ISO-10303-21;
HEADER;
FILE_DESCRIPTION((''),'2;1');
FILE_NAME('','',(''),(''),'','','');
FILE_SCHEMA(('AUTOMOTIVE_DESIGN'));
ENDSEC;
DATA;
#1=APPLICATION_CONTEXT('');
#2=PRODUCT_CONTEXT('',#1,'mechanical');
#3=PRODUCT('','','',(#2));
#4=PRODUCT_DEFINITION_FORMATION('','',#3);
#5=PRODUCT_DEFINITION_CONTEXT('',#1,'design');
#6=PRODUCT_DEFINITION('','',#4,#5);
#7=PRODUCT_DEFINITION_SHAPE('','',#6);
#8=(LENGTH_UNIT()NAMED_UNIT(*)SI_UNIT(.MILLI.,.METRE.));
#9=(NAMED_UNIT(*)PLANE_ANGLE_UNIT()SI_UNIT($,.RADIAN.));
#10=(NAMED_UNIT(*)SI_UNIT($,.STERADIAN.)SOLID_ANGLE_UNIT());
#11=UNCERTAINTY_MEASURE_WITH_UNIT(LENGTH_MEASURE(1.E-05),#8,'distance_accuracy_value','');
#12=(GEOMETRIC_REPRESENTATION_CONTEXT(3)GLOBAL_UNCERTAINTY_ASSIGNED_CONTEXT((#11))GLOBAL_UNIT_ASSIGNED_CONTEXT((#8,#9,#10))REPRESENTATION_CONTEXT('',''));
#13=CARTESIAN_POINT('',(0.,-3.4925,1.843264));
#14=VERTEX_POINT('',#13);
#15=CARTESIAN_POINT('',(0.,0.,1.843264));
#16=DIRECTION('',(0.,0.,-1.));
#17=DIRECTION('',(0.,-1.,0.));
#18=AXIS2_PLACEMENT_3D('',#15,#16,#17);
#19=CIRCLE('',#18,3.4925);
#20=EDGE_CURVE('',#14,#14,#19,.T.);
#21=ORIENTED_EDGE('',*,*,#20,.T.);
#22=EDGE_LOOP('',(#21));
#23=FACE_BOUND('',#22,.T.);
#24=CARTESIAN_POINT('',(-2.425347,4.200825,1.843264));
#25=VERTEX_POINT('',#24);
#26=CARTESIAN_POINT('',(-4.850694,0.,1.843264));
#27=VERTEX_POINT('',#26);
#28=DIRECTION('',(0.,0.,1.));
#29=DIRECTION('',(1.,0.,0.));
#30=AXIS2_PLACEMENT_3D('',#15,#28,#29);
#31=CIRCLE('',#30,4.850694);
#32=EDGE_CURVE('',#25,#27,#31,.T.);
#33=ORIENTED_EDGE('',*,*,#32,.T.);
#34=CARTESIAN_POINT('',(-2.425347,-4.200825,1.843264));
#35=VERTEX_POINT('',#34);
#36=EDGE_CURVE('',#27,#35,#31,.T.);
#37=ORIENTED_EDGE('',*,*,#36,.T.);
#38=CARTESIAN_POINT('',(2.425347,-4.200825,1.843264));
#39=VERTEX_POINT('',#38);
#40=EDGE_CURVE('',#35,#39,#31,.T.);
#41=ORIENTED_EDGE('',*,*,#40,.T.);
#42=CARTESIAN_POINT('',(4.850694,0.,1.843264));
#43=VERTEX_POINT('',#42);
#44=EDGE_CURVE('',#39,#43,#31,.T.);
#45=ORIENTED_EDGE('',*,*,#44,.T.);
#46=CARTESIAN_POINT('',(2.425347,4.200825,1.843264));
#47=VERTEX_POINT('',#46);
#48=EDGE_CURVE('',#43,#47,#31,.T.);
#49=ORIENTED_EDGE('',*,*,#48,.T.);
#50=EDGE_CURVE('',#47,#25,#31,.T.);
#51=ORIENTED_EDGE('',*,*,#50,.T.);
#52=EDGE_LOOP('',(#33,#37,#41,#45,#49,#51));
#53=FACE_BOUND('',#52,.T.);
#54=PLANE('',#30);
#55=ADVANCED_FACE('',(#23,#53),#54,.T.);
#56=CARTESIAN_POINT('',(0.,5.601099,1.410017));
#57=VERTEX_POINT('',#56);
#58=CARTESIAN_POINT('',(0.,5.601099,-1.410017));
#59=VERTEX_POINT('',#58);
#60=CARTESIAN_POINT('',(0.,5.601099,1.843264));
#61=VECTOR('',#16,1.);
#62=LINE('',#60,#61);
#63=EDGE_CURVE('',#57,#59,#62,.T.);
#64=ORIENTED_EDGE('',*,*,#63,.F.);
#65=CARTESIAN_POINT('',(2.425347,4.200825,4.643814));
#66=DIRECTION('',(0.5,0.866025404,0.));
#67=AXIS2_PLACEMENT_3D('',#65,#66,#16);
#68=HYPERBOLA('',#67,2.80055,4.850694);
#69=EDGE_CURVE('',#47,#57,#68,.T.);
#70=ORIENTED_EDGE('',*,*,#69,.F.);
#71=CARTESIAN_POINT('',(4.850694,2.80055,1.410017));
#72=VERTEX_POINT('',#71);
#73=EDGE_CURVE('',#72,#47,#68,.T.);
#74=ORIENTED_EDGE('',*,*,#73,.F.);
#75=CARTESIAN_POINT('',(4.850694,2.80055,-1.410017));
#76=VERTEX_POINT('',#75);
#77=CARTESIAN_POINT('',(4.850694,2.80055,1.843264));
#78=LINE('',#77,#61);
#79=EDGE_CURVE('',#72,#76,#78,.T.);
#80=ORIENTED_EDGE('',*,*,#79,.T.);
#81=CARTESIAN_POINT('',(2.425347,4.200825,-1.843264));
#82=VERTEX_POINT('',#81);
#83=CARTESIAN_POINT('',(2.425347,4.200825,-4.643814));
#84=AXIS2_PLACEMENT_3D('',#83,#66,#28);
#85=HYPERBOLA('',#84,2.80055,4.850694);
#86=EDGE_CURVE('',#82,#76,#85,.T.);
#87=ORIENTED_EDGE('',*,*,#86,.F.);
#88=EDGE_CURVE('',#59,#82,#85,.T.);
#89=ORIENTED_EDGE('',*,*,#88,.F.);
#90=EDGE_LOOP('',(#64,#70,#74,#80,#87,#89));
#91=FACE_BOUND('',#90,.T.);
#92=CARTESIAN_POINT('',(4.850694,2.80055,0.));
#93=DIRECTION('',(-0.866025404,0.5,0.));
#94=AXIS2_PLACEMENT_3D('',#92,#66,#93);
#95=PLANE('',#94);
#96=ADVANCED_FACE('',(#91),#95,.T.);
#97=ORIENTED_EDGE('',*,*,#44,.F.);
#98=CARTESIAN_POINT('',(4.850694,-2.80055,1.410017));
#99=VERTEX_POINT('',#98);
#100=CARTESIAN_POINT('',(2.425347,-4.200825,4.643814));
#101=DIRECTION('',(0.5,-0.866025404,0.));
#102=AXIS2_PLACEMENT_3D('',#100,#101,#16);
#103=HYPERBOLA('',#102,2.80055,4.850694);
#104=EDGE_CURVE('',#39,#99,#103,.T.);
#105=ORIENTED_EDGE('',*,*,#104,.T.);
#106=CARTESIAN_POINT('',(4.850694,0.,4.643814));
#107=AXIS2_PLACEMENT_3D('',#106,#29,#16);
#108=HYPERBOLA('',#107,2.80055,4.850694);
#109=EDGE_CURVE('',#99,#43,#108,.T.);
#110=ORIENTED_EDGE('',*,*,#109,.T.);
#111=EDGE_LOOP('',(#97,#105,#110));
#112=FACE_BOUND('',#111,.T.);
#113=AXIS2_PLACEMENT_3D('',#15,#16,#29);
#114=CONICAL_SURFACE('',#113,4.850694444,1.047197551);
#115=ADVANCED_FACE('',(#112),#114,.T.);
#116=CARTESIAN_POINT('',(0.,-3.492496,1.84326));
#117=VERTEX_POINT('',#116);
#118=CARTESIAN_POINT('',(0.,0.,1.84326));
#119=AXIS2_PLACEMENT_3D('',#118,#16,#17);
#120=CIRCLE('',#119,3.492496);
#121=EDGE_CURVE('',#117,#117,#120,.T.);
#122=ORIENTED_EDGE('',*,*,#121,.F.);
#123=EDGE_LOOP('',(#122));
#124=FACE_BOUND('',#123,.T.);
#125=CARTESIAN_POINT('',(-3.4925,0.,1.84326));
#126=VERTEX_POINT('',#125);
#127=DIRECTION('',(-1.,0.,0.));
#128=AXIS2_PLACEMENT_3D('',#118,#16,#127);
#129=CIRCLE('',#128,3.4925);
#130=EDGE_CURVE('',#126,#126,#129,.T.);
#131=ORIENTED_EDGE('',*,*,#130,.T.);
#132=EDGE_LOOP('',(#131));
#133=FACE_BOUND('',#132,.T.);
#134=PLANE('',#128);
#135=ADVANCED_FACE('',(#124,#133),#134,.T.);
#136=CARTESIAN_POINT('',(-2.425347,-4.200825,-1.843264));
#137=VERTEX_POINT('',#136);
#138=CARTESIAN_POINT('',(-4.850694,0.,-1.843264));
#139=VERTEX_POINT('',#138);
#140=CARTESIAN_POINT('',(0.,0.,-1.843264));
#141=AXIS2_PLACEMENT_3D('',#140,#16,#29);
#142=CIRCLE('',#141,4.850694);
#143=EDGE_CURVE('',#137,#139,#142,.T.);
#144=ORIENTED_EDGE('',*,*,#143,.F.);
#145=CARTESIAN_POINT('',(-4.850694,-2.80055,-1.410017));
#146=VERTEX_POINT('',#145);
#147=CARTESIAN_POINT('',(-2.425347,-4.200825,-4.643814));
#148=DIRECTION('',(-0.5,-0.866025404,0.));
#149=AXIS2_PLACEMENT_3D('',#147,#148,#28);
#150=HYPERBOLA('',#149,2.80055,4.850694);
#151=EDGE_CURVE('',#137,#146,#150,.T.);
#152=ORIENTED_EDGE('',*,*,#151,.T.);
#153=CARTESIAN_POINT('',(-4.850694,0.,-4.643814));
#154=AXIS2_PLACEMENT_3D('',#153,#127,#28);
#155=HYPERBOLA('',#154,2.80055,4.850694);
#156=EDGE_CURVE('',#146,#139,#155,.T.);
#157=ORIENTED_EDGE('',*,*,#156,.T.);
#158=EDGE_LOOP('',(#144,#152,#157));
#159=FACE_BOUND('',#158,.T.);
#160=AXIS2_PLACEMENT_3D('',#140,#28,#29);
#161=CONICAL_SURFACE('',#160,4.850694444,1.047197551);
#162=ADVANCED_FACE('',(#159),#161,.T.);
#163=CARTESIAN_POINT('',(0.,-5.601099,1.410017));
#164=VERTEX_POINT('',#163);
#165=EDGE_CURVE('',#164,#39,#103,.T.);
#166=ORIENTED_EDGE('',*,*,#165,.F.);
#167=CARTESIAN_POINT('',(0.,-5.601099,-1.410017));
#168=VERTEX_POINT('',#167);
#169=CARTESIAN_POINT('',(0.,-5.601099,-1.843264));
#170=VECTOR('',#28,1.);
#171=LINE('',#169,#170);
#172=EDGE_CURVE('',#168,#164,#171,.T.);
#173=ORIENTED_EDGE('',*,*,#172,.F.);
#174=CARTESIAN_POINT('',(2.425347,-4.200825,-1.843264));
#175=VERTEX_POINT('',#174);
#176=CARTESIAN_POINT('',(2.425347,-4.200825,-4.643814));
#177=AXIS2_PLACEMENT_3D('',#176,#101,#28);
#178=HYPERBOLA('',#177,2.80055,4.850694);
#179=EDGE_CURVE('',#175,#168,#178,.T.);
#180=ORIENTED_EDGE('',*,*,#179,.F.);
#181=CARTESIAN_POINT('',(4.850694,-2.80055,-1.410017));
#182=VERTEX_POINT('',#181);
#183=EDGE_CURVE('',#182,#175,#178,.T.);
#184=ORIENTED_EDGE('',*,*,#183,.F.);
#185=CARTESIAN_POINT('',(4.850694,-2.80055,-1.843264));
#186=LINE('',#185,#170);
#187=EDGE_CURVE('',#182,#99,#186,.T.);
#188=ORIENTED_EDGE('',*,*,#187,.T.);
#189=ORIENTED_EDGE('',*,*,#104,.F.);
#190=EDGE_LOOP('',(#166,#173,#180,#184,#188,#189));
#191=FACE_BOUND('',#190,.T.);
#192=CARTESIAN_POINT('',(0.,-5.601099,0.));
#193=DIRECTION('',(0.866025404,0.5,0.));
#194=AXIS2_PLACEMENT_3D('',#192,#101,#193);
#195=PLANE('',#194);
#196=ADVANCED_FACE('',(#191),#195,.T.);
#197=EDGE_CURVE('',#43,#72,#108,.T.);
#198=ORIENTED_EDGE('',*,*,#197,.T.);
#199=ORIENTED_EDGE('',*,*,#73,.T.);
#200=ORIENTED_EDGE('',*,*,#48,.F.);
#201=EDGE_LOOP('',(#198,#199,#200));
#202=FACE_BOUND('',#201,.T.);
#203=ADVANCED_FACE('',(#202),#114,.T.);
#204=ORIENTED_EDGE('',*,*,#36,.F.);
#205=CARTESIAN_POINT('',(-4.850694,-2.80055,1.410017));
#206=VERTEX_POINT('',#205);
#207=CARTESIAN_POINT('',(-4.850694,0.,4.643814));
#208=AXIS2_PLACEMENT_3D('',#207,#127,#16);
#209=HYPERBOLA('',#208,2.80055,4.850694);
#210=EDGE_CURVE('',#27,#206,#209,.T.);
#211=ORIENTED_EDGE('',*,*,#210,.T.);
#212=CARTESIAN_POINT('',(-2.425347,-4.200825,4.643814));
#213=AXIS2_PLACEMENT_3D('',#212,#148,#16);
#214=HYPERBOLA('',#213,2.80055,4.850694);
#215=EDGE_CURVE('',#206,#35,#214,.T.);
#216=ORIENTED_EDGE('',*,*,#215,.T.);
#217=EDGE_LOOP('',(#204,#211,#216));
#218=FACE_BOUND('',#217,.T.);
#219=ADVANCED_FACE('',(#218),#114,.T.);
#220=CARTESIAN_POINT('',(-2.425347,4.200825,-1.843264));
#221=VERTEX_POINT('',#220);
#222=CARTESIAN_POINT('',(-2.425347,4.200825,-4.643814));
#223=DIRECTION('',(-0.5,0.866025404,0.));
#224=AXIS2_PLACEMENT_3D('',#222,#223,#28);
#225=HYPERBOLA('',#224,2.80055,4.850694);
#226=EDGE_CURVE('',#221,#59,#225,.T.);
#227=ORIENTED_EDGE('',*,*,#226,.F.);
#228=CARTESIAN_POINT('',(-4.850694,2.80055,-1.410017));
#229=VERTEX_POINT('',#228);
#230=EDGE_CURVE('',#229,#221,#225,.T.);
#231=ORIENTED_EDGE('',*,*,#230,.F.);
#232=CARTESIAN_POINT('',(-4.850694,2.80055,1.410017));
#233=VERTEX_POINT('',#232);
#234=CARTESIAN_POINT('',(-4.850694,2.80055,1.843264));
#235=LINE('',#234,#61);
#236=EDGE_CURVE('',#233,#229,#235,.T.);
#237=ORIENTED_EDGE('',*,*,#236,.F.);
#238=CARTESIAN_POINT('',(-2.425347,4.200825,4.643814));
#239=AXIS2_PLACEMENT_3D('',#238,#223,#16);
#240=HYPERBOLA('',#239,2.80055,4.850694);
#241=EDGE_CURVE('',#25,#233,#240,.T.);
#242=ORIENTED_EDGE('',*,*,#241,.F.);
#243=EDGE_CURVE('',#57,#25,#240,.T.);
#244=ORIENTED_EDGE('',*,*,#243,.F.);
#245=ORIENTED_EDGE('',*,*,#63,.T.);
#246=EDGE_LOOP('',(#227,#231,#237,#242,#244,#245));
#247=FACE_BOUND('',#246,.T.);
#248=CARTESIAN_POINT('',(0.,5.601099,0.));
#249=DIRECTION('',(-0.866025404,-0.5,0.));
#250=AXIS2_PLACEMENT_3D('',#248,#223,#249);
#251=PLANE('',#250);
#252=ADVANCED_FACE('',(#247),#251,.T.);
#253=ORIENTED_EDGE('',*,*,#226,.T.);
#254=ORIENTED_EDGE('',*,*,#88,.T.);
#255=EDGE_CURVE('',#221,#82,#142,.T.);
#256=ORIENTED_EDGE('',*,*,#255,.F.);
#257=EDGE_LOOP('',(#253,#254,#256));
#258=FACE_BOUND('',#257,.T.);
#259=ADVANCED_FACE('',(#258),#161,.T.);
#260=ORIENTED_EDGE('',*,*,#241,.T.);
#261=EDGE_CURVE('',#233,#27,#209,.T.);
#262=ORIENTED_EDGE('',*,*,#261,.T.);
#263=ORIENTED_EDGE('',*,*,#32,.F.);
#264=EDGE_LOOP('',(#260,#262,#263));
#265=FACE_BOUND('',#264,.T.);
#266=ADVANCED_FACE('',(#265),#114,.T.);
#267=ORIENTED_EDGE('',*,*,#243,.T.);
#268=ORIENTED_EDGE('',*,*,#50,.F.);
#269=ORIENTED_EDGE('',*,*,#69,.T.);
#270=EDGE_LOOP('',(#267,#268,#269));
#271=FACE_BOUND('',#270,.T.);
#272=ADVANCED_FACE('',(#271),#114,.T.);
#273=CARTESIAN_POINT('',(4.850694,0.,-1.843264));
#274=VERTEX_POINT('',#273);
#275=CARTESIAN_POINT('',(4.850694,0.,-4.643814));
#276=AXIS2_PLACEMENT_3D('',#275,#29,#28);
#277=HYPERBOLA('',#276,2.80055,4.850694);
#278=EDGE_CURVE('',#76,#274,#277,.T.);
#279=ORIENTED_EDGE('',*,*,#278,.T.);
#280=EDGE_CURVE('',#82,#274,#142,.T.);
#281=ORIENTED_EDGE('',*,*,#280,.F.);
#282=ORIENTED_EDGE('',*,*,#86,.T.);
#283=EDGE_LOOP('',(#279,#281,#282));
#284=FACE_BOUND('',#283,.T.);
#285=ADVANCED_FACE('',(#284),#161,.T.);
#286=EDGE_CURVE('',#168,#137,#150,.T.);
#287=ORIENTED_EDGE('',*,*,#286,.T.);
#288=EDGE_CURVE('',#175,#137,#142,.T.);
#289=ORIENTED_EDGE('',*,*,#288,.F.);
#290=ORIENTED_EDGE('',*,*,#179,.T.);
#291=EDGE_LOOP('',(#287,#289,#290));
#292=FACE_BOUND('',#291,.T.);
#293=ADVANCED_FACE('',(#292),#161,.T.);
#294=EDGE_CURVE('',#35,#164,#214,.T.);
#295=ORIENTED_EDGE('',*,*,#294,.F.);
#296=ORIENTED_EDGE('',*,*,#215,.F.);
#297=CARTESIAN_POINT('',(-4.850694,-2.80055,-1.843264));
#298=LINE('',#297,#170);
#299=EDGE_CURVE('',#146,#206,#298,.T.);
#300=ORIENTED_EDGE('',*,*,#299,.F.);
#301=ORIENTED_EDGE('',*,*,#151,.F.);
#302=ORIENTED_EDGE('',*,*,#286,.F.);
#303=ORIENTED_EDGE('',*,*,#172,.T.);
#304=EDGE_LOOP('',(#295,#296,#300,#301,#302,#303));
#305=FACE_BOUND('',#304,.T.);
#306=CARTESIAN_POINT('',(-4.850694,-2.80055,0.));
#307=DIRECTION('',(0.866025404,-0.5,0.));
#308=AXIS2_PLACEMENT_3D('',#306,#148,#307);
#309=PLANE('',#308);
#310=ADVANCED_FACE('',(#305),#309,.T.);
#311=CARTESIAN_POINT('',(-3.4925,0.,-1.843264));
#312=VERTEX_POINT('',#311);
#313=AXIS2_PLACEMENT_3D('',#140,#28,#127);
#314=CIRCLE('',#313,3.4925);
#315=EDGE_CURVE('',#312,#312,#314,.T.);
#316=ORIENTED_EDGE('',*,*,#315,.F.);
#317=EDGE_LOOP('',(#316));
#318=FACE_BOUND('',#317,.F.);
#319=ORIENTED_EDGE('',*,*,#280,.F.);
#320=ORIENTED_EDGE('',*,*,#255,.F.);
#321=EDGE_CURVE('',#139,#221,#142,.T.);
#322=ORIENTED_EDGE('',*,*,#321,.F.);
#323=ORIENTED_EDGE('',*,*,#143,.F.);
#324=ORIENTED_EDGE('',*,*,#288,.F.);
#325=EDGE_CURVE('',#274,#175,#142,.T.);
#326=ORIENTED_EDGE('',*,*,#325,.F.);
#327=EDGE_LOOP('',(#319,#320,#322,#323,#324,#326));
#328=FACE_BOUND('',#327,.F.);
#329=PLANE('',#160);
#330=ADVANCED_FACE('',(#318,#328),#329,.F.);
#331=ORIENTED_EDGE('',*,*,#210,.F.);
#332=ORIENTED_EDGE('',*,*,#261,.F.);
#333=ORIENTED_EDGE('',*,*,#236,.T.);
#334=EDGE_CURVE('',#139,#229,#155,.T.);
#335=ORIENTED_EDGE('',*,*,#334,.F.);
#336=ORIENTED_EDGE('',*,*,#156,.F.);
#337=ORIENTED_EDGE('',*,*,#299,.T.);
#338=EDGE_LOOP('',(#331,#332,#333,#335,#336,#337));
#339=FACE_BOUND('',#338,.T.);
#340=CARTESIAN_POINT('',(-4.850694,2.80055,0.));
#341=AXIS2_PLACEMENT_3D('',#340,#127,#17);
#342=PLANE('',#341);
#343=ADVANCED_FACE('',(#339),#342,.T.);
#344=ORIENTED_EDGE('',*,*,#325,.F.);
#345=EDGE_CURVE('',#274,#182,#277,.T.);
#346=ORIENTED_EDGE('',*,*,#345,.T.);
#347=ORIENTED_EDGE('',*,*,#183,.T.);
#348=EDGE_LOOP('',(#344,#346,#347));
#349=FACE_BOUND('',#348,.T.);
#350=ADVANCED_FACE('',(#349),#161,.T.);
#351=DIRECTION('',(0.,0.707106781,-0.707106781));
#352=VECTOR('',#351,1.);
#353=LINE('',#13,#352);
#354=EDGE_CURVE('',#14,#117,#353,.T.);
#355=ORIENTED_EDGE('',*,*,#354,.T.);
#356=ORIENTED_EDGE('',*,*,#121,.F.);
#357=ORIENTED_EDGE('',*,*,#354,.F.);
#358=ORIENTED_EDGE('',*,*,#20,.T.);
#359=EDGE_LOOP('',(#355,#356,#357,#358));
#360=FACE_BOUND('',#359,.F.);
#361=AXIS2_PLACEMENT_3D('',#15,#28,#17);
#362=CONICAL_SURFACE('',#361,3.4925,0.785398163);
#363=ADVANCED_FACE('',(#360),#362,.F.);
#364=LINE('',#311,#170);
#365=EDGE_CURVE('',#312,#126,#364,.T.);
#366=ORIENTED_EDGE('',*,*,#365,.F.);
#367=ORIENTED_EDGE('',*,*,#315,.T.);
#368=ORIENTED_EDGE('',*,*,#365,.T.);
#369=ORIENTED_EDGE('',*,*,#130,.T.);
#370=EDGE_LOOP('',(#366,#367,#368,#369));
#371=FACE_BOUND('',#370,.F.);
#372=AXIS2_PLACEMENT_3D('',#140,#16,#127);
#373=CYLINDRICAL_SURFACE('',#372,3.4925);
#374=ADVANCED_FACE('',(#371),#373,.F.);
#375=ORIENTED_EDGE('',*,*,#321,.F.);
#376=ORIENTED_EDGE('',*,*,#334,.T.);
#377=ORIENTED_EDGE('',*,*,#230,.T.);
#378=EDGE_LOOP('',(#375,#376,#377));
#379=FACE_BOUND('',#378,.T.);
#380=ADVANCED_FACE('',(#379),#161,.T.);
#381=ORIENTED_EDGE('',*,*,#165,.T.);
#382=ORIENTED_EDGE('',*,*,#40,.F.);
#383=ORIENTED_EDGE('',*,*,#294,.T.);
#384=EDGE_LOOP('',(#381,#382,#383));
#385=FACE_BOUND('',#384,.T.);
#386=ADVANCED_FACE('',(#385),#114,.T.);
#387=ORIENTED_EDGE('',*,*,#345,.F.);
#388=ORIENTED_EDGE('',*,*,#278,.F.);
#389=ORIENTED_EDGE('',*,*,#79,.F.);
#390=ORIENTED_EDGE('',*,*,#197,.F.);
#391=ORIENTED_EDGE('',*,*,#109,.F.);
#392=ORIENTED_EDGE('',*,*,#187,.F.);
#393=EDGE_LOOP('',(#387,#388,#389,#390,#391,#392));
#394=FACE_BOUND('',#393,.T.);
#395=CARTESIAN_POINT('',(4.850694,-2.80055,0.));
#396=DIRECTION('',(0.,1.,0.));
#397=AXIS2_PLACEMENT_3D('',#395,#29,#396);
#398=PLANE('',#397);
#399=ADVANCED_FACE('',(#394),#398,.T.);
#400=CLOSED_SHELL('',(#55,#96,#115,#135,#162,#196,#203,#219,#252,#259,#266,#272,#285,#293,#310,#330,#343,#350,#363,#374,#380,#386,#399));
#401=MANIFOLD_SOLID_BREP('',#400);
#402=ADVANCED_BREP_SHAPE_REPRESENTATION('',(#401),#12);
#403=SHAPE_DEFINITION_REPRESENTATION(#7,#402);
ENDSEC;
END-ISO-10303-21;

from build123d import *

# Parameters (mm, degrees)
EXTRUDE1_DEPTH          = 1.843263891
SKETCH13_R              = 3.4925
BOSS_EXTRUDE1_DEPTH     = 3.686524
SKETCH7_OUTSIDE_W       = 102.744
SKETCH7_OUTSIDE_H       = 104.244
SKETCH7_OUTSIDE_R       = 4.850694444
EXTRUDE2_DEPTH          = 25.4
EXTRUDE2_DRAFT          = -60
MIRROR2_COPY_1_SKETCH_W = 102.744
MIRROR2_COPY_1_SKETCH_H = 104.244
MIRROR2_COPY_1_SKETCH_R = 4.850694444
MIRROR2_COPY_1_DEPTH    = 25.4
MIRROR2_COPY_1_DRAFT    = -60


with BuildPart() as part:
    # Sketch1 → Extrude1 (new, symmetric)
    with BuildSketch(Plane.XY):
        Polygon((-4.850694444, 2.800549743), (-4.850694444, -2.800549743), (0, -5.601099487), (4.850694444, -2.800549743), (4.850694444, 2.800549743), (0, 5.601099487), align=None)
    extrude(amount=EXTRUDE1_DEPTH, both=True)

    # Cut-Extrude2 cone 1 section (through the dimple's axis) → Cut-Extrude2 (revolve, cut)
    with BuildSketch(Plane(origin=(0, 0, 1.843263891), x_dir=(0, -1, 0), z_dir=(1, 0, 0))):
        Polygon((0, 0), (3.4925, 0), (0, 3.4925), align=None)
    revolve(axis=Axis((0, 0, 1.843263891), (0, 0, -1)), mode=Mode.SUBTRACT)

    # Cut-Extrude3 cone 1 section (through the dimple's axis) → Cut-Extrude3 (revolve, cut)
    with BuildSketch(Plane(origin=(0, 0, -1.843263891), x_dir=(0, 1, 0), z_dir=(1, 0, 0))):
        Polygon((0, 0), (3.4925, 0), (0, 3.4925), align=None)
    revolve(axis=Axis((0, 0, -1.843263891), (0, 0, 1)), mode=Mode.SUBTRACT)


with BuildPart() as body_2:
    # Sketch13 → Boss-Extrude1 (new body)
    with BuildSketch(Plane(origin=(0, 0, -1.843263891), x_dir=(-1, 0, 0), z_dir=(0, 0, -1))):
        Circle(SKETCH13_R)
    extrude(amount=-BOSS_EXTRUDE1_DEPTH)


with BuildPart() as part_1:
    add(part.part)

    # Combine1: cut body 2
    add(body_2.part, mode=Mode.SUBTRACT)


with BuildPart() as extrude2_tool:
    # Sketch7 outside → Extrude2 (with draft: the straight prism first)
    with BuildSketch(Plane.XY.offset(1.843263891)):
        Rectangle(SKETCH7_OUTSIDE_W, SKETCH7_OUTSIDE_H)
        Circle(SKETCH7_OUTSIDE_R, mode=Mode.SUBTRACT)
    extrude(amount=-EXTRUDE2_DEPTH)
    # Extrude2: the draft: its side faces are tilted about the plane it starts from
    extrude2_sides = [extrude2_tool.faces().sort_by_distance(p)[0] for p in [
        (0, -52.122, -10.856736109),
        (51.372, 0, -10.856736109),
        (0, 52.122, -10.856736109),
        (-51.372, 0, -10.856736109),
        (-4.850694444, 0, -10.856736109),
    ]]
    draft(extrude2_sides, Plane.XY.offset(1.843263891), EXTRUDE2_DRAFT)


with BuildPart() as part_2:
    add(part_1.part)

    # Extrude2: cut by extrude2_tool
    add(extrude2_tool.part, mode=Mode.SUBTRACT)


with BuildPart() as mirror2_copy_1_tool:
    # Mirror2 copy 1 sketch → Mirror2 copy 1 (with draft: the straight prism first)
    with BuildSketch(Plane(origin=(0, 0, -1.843263891), x_dir=(1, 0, 0), z_dir=(0, 0, -1))):
        Rectangle(MIRROR2_COPY_1_SKETCH_W, MIRROR2_COPY_1_SKETCH_H)
        Circle(MIRROR2_COPY_1_SKETCH_R, mode=Mode.SUBTRACT)
    extrude(amount=-MIRROR2_COPY_1_DEPTH)
    # Mirror2 copy 1: the draft: its side faces are tilted about the plane it starts from
    mirror2_copy_1_sides = [mirror2_copy_1_tool.faces().sort_by_distance(p)[0] for p in [
        (0, -52.122, 10.856736109),
        (51.372, 0, 10.856736109),
        (0, 52.122, 10.856736109),
        (-51.372, 0, 10.856736109),
        (-4.850694444, 0, 10.856736109),
    ]]
    draft(mirror2_copy_1_sides, Plane(origin=(0, 0, -1.843263891), x_dir=(1, 0, 0), z_dir=(0, 0, -1)), MIRROR2_COPY_1_DRAFT)


with BuildPart() as part_3:
    add(part_2.part)

    # Mirror2 copy 1: cut by mirror2_copy_1_tool
    add(mirror2_copy_1_tool.part, mode=Mode.SUBTRACT)


solid = part_3.part
